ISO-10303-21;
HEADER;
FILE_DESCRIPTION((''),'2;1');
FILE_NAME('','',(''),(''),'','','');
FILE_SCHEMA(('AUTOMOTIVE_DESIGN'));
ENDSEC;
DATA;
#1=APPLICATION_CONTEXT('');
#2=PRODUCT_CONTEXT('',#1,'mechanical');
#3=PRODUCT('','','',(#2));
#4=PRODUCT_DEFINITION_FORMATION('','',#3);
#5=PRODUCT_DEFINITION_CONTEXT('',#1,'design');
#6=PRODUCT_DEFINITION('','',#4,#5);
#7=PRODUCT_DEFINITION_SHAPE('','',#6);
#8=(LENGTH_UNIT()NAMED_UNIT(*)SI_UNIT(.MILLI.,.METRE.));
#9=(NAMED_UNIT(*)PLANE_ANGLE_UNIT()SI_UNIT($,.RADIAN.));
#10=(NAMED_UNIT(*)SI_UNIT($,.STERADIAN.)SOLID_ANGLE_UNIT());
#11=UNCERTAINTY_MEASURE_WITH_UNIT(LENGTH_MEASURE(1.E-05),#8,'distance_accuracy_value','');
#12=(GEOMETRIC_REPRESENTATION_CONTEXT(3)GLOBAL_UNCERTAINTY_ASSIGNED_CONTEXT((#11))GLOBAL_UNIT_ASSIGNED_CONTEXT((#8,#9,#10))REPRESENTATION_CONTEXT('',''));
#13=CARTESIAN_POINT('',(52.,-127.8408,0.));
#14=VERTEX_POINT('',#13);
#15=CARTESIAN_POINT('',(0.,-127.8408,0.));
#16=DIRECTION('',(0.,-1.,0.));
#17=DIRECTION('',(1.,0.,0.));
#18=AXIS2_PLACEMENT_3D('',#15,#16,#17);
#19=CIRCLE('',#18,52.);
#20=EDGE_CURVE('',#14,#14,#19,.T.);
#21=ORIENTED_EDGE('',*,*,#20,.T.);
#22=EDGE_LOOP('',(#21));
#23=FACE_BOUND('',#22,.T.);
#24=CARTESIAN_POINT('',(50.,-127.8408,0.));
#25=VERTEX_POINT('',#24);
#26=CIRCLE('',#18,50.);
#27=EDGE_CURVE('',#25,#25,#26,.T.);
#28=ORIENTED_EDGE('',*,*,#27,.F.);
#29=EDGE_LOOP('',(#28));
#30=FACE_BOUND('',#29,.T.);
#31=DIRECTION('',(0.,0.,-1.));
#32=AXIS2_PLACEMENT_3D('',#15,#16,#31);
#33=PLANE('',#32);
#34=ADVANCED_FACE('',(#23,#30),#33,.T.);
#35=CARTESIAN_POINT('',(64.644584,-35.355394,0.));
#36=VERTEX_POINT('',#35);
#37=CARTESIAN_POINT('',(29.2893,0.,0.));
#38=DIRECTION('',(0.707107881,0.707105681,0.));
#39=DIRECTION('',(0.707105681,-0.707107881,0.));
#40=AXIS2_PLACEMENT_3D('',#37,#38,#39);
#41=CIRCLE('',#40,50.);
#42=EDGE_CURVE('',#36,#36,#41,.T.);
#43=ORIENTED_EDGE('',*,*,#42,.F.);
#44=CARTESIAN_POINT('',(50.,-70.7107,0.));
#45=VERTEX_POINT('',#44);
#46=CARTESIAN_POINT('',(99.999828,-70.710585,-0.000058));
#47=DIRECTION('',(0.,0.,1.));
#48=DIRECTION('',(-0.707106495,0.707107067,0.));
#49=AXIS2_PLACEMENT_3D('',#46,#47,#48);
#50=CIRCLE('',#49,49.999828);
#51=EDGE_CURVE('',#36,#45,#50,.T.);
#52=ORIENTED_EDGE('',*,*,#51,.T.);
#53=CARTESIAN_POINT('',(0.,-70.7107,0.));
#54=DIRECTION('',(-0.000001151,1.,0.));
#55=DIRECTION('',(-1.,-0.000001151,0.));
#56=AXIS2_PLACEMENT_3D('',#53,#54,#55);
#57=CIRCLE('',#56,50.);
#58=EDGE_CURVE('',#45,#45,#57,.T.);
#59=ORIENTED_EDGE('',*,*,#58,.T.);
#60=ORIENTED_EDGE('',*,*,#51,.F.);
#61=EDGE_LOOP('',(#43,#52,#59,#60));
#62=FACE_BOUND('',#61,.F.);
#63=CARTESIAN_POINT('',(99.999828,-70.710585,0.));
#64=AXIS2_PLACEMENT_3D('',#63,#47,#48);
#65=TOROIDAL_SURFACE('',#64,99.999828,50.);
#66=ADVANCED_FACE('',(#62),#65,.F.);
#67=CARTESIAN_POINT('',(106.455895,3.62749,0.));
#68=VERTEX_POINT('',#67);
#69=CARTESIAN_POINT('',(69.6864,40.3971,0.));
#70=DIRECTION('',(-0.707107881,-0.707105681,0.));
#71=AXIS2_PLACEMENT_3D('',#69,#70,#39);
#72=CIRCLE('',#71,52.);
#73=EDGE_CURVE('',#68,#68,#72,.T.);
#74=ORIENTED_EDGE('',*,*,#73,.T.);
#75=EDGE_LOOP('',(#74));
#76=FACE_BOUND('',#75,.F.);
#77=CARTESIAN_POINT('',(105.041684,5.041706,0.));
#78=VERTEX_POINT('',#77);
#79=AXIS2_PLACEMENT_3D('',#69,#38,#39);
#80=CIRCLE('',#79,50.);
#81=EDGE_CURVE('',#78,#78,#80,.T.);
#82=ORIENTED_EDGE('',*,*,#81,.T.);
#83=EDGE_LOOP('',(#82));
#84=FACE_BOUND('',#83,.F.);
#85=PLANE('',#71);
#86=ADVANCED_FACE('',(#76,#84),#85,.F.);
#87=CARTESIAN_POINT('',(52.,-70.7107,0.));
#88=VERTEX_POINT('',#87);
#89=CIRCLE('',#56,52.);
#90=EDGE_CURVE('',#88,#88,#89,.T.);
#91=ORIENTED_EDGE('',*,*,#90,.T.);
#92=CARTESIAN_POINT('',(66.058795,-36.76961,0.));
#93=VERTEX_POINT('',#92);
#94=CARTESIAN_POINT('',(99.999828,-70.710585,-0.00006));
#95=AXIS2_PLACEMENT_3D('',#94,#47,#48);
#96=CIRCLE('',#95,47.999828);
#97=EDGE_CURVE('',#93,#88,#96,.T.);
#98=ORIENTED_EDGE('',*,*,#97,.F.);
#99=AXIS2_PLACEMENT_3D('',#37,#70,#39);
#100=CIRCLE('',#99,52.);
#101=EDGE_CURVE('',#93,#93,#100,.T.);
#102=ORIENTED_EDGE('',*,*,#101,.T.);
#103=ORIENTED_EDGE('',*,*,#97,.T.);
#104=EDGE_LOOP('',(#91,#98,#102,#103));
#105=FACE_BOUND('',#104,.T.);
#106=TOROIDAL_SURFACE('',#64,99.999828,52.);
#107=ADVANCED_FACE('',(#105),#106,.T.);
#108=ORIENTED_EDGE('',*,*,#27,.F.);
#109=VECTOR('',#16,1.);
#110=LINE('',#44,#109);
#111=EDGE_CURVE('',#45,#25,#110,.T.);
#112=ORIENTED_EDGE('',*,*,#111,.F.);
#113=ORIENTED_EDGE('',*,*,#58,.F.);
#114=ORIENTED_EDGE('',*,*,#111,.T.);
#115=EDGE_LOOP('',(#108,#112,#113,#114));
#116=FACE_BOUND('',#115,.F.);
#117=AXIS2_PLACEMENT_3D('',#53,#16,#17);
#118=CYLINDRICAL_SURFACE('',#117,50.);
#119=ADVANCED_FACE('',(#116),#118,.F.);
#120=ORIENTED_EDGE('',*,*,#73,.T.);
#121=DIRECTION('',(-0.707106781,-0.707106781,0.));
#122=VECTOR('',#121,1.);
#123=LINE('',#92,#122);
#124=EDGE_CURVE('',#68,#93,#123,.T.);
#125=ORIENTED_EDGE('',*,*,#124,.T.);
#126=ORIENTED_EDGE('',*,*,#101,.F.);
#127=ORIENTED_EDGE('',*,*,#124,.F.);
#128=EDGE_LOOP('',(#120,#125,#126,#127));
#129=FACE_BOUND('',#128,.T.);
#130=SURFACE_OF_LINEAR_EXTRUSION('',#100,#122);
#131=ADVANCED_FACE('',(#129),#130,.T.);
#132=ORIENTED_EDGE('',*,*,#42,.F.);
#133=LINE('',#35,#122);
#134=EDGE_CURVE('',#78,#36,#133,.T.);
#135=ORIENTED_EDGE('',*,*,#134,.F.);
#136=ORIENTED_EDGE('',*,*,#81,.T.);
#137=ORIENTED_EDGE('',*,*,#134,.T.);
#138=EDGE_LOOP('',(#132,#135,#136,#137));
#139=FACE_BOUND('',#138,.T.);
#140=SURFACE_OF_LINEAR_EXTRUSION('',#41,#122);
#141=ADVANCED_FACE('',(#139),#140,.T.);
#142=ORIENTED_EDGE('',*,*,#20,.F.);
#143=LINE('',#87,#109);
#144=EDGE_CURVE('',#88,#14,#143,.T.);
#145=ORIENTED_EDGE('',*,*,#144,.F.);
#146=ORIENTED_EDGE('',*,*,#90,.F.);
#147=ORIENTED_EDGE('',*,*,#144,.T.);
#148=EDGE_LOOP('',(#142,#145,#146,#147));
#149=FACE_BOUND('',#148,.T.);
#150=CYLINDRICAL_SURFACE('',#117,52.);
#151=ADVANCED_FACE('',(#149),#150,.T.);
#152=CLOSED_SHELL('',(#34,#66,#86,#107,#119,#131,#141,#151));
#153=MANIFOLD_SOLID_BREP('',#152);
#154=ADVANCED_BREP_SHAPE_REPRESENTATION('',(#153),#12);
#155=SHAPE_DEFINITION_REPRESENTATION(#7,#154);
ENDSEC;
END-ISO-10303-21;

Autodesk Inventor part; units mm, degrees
ref_plane "YZ Plane" through (0, 0, 0) normal (1, 0, 0) x (0, 1, 0)
ref_plane "XZ Plane" through (0, 0, 0) normal (0, 1, 0) x (-1, 0, 0)
sketch "Szkic6" plane through (0, 0, 0) normal (0, 0, 1) x (1, 0, 0)
  line L0 (-29.6067, 0) -> (35.2678, 0) construction
  line L1 (0, 42.3419) -> (0, -58.3726) construction
  arc A0 (29.2893, 0) -> (0, -70.7107) centre (100, -70.7107) ccw
  line L2 (0, -70.7107) -> (100, -70.7107) construction
  line L3 (100, -70.7107) -> (53.6611, -24.3718) construction
  line L4 (29.2893, 0) -> (69.6864, 40.3971)
  line L5 (0, -70.7107) -> (0, -127.8408)
  point P0 (0, 0)
  dimension "d24" = 100
  dimension "d31" = 45
  dimension "d36" = 57.1301
  dimension "d37" = 57.1301
ref_plane "Płaszczyzna konstrukcyjna2" through (0, -70.7107, 0) normal (0, -1, 0) x (1, 0, 0)
sketch "Szkic8" plane through (0, -70.7107, 0) normal (0, -1, 0) x (1, 0, 0)
  circle A0 centre (0, 0) radius 52
  circle A1 centre (0, 0) radius 50
  dimension "d32" = 104
  dimension "d33" = 2
sweep "Przeciągnięcie2" add profiles "Szkic8" path "Szkic6"
equation "\"d32\" = OD"
equation "\"d33\" = THK"
equation "\"d24\" = R"
equation "\"d31\" = KAT"
equation "\"d36\" = PROSTKA"
equation "\"d37\" = PROSTKA"
equation "\"SzerokośćGięciaPodcięcia\" = Grubość"
equation "\"RozmiarPodcięciaNarożnika\" = 4 * Grubość"
equation "\"PromieńPrzejścia\" = PromieńGięcia"
equation "\"Rozmiar_promienia_Jacobiego\" = PromieńGięcia"
equation "\"Wielk_odstępu\" = Grubość"
equation "\"d2\" = PromieńGięcia"
equation "\"d23\" = PromieńGięcia"
equation "\"R\" = 100"
equation "\"OD\" = 104"
equation "\"THK\" = 2"
equation "\"KAT\" = 45deg"
equation "\"PROSTKA\" = 57.13009"
equation "\"Grubość\" = 1.5"
equation "\"PromieńGięcia\" = 3"
properties part number "Kolano 45° ø104x2 R100" material "304L"
